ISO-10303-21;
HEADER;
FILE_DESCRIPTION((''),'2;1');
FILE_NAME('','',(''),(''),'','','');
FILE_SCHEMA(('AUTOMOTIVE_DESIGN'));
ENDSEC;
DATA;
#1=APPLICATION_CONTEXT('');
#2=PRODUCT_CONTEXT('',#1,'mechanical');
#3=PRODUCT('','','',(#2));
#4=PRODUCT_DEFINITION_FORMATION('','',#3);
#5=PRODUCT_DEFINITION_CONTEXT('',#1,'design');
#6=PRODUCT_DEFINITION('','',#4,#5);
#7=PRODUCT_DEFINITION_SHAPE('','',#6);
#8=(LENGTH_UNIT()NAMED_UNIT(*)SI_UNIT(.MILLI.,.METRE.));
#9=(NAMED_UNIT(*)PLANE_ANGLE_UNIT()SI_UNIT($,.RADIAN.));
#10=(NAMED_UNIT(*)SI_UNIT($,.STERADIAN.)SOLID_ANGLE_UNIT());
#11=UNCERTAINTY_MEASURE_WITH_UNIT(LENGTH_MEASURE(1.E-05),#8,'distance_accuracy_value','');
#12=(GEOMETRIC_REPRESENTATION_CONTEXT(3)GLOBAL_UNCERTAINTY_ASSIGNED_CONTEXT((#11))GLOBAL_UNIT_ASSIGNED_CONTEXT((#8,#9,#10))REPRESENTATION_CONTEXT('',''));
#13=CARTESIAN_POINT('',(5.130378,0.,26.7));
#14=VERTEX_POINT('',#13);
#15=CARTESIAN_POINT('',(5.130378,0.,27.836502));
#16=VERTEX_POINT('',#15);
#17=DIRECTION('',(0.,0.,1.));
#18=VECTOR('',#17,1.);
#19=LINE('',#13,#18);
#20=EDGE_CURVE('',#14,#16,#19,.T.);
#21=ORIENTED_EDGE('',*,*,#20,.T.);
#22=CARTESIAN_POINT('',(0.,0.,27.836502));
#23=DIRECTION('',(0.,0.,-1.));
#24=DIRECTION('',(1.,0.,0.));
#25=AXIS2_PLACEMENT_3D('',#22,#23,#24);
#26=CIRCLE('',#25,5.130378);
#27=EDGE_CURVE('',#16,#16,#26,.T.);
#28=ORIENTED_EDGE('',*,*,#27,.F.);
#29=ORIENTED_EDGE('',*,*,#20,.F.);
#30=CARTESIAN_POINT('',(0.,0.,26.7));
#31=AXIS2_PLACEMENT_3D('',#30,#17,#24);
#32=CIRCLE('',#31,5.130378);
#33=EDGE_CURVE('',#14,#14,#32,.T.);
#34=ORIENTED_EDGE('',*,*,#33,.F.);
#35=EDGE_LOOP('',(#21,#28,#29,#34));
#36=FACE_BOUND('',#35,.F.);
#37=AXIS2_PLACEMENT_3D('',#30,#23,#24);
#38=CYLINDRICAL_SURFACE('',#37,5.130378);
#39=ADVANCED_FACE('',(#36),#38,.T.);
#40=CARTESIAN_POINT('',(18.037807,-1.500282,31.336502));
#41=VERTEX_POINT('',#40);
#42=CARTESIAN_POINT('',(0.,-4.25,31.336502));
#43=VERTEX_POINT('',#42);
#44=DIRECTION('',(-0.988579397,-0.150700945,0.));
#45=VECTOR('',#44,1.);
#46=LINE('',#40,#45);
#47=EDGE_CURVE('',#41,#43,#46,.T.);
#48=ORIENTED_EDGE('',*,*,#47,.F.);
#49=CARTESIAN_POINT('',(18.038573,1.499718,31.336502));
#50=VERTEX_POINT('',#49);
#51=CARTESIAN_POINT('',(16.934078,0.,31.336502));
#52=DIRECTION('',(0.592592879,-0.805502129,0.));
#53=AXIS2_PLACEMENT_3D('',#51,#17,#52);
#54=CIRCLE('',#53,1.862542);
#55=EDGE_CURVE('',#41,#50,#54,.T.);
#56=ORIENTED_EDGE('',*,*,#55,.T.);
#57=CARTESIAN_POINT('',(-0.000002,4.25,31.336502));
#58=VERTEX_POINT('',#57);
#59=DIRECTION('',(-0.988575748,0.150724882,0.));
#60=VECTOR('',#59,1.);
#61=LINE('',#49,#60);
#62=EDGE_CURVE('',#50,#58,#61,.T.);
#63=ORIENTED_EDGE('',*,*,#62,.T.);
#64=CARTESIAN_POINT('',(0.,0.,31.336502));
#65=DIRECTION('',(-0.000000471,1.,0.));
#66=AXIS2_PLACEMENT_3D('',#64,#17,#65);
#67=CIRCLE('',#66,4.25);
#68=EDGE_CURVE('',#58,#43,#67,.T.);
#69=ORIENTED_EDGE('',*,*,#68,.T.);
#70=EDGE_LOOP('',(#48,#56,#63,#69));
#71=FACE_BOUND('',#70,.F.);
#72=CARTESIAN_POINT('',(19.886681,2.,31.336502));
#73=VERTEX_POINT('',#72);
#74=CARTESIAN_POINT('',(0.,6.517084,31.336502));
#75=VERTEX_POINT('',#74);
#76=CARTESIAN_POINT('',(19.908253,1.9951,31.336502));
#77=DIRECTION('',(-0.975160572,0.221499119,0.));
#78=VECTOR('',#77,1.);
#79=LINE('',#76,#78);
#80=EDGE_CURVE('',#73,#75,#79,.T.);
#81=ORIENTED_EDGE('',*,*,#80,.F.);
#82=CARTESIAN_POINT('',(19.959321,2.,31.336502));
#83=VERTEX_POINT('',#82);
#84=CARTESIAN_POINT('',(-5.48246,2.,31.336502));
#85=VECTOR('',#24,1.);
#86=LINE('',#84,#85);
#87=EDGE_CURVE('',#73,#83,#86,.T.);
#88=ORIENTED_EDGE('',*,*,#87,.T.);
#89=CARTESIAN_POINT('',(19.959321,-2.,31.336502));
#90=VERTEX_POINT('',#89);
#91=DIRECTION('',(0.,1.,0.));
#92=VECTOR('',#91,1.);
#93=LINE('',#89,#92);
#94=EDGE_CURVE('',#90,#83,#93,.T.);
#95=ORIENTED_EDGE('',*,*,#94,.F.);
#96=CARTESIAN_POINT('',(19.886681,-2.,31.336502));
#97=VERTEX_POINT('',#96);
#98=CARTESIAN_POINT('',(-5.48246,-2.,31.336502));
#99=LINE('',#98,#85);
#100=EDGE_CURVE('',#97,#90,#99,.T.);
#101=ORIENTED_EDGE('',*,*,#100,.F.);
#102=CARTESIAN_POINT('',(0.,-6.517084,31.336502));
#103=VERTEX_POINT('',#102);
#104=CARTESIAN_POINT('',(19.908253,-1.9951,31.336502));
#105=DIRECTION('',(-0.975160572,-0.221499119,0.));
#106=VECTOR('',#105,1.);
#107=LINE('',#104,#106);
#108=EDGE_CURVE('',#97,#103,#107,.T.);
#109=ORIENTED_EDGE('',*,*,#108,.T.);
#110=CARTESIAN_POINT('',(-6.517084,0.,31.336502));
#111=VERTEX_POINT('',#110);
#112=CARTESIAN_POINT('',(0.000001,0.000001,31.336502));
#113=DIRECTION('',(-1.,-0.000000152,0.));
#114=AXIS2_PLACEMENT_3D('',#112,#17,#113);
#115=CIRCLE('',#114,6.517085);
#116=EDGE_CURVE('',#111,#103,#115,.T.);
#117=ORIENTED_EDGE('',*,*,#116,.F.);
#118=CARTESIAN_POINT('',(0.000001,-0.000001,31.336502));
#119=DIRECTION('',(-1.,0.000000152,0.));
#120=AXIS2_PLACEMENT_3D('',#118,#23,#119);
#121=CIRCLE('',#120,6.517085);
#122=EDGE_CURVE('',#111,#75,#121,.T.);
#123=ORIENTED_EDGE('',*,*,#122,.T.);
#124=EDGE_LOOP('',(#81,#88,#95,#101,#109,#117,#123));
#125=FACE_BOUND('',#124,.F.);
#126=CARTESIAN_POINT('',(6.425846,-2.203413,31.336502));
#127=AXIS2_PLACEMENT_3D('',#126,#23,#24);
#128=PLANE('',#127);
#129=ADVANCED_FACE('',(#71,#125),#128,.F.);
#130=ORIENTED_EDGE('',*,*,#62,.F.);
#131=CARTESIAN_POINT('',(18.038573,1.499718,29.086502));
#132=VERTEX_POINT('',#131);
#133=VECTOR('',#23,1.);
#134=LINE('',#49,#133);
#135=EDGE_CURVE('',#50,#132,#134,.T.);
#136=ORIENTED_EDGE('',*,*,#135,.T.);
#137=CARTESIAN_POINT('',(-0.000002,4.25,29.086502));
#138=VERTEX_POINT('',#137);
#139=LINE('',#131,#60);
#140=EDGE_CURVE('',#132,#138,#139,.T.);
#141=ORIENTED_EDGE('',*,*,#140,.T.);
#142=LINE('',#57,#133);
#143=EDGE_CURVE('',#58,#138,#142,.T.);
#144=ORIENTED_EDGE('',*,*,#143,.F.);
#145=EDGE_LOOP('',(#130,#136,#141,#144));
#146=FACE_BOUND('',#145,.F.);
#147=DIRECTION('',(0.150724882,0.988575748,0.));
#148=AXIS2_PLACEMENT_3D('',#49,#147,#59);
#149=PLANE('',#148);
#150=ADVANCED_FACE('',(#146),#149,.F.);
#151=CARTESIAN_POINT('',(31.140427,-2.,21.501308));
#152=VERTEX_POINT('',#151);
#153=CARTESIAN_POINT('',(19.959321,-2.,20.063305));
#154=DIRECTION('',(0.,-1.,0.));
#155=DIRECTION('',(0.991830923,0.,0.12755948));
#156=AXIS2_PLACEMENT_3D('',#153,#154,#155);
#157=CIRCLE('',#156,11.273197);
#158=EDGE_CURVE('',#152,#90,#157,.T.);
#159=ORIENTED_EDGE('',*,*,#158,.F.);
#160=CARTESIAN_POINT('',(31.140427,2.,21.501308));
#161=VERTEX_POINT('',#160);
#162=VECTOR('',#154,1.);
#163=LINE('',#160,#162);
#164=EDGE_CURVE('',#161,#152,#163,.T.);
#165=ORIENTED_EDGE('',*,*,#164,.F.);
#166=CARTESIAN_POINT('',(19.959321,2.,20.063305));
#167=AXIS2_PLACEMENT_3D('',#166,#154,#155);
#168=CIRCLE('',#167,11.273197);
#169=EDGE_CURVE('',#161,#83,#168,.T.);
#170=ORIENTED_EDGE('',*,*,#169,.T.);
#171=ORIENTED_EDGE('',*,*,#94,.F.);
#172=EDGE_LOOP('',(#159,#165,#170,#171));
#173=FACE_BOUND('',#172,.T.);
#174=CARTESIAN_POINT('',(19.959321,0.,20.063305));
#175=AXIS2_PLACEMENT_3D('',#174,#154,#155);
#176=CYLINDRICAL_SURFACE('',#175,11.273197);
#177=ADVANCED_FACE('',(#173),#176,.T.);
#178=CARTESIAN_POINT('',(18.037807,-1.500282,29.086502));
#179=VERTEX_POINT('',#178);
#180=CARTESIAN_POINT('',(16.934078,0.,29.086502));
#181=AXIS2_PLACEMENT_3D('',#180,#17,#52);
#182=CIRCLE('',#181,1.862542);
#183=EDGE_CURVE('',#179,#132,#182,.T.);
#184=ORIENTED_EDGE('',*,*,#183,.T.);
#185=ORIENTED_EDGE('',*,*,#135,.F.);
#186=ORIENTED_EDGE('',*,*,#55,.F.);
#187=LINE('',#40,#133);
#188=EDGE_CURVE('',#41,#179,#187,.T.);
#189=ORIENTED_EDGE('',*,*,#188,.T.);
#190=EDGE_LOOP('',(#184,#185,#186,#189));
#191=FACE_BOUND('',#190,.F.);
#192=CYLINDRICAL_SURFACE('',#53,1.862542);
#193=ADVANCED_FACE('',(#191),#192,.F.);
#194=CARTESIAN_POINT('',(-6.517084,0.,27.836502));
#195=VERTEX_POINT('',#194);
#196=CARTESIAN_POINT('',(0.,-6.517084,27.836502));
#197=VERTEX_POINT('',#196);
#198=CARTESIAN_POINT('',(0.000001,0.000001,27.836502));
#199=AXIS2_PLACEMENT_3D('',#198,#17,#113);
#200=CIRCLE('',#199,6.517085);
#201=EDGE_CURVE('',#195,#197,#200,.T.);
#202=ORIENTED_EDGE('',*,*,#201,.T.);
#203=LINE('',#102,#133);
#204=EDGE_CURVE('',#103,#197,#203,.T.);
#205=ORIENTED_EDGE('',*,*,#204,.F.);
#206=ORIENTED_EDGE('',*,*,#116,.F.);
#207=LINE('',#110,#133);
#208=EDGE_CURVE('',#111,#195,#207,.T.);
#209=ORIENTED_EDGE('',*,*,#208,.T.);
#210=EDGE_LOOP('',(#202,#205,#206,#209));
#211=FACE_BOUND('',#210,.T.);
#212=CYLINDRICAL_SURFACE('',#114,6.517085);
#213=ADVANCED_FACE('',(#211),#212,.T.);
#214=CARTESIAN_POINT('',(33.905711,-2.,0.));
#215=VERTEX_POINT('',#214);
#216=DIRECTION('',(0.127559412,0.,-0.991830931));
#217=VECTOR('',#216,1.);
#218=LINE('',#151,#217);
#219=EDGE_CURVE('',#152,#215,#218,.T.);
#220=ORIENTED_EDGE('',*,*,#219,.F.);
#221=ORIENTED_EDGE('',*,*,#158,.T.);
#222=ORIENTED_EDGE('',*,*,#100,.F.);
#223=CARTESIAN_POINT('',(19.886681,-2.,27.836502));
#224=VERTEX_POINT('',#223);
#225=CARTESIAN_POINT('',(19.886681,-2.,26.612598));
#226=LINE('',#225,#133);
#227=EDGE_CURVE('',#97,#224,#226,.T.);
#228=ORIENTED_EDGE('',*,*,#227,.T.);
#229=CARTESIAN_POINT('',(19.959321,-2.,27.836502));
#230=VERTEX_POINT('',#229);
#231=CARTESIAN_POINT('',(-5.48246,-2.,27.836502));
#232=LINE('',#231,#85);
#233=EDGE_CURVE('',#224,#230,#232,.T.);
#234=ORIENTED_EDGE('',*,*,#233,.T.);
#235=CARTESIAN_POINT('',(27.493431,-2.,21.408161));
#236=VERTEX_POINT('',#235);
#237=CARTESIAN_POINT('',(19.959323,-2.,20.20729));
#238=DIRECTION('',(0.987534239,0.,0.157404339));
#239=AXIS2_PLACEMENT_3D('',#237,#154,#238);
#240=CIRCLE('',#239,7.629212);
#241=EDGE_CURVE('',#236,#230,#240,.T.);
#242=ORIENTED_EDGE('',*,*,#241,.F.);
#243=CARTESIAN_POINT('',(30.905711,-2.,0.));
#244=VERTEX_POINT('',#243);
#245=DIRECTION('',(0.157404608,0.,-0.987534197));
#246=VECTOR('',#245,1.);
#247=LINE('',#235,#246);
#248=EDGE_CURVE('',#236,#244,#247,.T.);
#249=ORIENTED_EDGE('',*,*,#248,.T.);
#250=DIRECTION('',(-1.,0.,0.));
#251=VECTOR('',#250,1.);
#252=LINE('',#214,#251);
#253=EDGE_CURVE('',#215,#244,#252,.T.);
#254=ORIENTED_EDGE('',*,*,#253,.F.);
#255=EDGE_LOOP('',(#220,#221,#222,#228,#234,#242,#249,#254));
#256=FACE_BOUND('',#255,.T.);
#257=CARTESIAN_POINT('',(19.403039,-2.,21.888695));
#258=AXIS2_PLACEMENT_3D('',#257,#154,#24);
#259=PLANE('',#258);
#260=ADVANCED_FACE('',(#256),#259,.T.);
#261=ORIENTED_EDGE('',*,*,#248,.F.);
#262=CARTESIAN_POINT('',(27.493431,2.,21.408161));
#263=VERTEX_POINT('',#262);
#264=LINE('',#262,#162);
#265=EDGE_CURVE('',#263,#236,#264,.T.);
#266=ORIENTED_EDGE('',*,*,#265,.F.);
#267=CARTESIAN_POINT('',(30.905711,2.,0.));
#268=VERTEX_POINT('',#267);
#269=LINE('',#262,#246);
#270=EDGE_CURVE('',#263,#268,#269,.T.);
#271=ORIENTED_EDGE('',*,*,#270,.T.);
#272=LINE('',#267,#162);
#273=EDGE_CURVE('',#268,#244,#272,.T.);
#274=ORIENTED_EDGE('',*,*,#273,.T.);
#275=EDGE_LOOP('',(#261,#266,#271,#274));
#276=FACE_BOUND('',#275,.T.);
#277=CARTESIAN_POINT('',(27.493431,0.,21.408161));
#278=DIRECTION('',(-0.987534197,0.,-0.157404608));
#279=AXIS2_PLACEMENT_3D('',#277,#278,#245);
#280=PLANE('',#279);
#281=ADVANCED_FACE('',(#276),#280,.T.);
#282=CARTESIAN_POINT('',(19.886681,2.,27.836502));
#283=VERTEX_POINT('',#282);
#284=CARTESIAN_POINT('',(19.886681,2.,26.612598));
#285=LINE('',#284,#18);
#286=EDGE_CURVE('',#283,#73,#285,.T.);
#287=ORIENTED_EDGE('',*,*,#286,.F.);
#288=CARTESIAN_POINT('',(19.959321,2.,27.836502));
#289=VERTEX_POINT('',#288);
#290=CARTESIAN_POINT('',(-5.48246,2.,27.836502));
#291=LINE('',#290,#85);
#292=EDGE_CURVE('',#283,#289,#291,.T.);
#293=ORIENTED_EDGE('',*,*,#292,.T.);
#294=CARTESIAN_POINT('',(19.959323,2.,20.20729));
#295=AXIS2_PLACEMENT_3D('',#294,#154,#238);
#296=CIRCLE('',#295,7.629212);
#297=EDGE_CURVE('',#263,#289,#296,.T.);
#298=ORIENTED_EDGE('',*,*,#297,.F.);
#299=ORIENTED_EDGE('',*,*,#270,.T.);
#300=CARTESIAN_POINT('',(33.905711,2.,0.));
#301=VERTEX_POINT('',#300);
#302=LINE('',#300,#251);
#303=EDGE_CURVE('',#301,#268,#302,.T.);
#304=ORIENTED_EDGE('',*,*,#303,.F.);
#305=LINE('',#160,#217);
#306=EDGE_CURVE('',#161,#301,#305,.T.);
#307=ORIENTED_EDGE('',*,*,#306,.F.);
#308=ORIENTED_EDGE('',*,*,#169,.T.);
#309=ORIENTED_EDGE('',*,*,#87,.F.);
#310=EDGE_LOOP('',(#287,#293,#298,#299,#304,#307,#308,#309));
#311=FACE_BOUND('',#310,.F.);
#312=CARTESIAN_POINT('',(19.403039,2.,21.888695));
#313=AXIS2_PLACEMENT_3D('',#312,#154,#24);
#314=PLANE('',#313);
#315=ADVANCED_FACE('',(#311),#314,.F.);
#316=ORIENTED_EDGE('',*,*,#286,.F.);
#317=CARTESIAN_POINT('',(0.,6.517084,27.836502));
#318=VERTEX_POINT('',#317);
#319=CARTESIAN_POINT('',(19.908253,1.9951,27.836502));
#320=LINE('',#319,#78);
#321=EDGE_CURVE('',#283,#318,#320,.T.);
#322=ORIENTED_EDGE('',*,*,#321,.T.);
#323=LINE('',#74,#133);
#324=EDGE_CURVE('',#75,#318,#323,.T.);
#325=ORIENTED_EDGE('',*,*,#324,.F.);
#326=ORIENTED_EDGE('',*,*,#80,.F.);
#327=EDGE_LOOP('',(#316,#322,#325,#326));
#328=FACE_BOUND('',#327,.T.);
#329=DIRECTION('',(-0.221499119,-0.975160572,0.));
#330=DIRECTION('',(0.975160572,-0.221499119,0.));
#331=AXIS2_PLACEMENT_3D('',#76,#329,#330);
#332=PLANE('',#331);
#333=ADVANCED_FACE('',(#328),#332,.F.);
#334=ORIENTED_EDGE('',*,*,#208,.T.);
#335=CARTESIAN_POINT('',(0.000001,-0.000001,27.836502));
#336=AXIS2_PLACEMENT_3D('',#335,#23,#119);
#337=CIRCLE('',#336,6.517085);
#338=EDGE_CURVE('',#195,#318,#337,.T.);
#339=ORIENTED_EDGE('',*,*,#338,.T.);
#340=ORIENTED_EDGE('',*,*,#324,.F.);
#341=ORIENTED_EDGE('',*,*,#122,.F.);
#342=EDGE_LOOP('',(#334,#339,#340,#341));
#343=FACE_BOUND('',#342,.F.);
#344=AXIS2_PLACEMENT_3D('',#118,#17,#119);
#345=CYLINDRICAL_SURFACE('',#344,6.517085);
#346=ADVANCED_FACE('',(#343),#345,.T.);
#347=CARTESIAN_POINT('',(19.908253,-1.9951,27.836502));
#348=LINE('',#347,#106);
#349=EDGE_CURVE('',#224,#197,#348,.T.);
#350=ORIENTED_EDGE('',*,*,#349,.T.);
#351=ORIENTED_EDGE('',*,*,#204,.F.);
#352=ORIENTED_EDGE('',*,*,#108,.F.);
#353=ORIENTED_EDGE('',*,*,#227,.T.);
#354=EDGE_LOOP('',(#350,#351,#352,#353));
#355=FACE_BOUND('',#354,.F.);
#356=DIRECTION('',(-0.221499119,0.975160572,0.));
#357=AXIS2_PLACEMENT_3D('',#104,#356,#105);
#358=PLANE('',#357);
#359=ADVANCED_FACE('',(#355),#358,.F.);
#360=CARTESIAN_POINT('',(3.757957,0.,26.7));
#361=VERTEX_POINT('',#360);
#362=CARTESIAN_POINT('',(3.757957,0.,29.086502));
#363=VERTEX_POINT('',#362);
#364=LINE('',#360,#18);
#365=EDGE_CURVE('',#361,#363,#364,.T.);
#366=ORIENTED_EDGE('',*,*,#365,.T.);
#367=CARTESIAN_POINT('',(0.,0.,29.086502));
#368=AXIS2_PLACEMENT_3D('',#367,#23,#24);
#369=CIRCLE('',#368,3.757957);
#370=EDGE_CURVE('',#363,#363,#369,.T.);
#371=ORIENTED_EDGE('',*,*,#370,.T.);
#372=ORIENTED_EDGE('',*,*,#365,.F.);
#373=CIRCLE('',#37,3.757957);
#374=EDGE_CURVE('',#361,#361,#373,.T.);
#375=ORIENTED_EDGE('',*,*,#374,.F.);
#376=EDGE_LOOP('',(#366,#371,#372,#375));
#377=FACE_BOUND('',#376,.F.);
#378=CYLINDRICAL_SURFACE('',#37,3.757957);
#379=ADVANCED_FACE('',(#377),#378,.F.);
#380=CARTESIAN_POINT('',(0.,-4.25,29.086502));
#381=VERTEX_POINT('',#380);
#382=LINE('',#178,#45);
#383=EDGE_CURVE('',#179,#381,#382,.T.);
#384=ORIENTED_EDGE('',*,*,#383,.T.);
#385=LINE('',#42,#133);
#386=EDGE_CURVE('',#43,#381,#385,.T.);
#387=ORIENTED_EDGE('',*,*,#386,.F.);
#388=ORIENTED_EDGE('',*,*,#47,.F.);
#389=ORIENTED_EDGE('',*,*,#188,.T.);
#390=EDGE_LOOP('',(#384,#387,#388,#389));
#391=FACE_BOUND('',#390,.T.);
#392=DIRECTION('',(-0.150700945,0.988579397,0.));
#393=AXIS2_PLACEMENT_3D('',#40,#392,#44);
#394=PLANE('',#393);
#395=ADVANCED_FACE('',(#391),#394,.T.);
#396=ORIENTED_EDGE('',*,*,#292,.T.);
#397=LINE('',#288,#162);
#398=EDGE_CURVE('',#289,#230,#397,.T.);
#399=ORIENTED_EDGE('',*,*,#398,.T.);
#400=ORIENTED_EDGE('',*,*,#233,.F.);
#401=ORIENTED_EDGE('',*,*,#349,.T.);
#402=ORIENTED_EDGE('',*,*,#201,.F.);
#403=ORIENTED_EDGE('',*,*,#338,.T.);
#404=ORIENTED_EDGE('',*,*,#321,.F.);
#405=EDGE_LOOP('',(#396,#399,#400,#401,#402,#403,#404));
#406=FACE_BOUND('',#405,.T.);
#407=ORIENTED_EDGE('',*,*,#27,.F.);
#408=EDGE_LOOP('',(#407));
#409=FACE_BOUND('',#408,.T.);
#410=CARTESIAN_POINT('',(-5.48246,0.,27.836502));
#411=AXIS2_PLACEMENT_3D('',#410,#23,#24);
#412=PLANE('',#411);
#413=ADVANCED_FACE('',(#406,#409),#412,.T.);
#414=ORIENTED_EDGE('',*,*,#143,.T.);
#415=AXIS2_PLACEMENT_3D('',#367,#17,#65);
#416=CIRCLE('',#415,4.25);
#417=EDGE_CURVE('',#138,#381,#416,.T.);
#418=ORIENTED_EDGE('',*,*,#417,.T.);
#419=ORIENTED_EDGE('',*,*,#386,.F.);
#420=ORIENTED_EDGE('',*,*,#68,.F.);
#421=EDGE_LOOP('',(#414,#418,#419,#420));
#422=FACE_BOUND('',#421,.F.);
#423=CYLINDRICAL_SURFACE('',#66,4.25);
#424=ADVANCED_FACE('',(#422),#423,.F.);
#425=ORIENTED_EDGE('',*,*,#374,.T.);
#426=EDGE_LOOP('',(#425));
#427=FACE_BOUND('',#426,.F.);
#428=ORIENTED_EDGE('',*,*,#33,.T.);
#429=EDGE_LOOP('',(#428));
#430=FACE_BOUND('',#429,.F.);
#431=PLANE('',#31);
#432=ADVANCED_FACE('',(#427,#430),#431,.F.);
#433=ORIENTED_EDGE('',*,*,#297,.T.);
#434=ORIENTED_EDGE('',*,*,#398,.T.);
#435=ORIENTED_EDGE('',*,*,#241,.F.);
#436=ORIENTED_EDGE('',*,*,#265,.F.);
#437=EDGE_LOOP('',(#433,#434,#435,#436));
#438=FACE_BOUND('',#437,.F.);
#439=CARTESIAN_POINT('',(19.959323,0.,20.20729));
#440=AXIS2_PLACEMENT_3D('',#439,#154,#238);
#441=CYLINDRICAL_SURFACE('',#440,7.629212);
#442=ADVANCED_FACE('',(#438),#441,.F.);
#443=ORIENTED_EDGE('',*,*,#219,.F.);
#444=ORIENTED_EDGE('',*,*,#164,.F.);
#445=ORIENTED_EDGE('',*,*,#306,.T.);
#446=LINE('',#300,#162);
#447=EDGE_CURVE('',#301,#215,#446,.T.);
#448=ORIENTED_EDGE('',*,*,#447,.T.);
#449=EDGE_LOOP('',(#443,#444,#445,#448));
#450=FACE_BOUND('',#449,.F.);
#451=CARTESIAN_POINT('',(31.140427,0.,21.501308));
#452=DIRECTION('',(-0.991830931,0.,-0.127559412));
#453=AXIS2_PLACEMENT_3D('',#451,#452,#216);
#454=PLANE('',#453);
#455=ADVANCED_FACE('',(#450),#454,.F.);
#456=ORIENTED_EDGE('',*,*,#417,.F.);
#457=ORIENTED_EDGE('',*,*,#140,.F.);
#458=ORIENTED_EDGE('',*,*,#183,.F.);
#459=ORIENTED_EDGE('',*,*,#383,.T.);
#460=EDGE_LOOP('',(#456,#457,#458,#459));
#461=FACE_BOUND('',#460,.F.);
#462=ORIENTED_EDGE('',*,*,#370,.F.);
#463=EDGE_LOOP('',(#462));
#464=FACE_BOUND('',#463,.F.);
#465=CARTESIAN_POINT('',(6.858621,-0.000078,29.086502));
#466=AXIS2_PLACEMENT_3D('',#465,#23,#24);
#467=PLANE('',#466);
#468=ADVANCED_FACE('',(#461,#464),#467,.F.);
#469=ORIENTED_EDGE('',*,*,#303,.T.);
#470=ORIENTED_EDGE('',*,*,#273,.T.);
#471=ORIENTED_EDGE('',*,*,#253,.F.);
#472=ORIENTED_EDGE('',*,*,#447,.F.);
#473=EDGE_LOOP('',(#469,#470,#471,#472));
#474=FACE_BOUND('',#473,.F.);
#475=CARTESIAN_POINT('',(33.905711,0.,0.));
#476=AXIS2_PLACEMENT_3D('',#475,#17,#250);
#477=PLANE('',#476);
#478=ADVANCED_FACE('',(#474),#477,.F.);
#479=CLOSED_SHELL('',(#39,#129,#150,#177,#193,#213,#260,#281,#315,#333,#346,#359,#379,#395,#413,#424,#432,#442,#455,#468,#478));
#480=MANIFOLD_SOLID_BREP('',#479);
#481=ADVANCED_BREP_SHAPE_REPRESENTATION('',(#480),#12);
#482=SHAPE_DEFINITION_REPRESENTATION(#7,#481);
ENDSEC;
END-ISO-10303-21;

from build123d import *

# Parameters (mm, degrees)
SKETCH008_R        = 5.130378
PAD006_DEPTH       = 1.2
PAD004_DEPTH       = 2
PAD005_DEPTH       = 3.5
POCKET_DEPTH       = 2.25
SKETCH009_R        = 3.757957
POCKET003002_DEPTH = 5


with BuildPart() as servo_support_cylinder001:
    # Sketch008 → Pad006 (new body)
    with BuildSketch(Plane.XY.offset(26.7)):
        Circle(SKETCH008_R)
    extrude(amount=PAD006_DEPTH)


with BuildPart() as servo_leg:
    # Sketch005 → Pad004 (new body, symmetric)
    with BuildSketch(Plane.XZ):
        with BuildLine():
            Line((-5.48246, 27.836502), (19.959321, 27.836502))
            ThreePointArc((27.493431, 21.408161), (24.91125, 26.011021), (19.959321, 27.836502))
            Line((27.493431, 21.408161), (30.905711, 0))
            Line((33.905711, 0), (30.905711, 0))
            Line((31.140427, 21.501308), (33.905711, 0))
            ThreePointArc((31.140427, 21.501308), (27.404927, 28.527815), (19.959321, 31.336502))
            Line((-5.48246, 31.336502), (19.959321, 31.336502))
            Line((-5.48246, 27.836502), (-5.48246, 31.336502))
        make_face()
    extrude(amount=PAD004_DEPTH, both=True)

    # Sketch006 → Pad005 (new body)
    with BuildSketch(Plane(origin=(0, 0, 31.336502), x_dir=(-1, 0, 0), z_dir=(0, 0, 1))):
        with BuildLine():
            Line((-19.908253, 1.9951), (0, 6.517084))
            ThreePointArc((6.517084, 0), (4.608274, 4.608274), (0, 6.517084))
            Line((6.517084, 0), (0, 0))
            Line((-19.908253, 0), (0, 0))
            Line((-19.908253, 1.9951), (-19.908253, 0))
        make_face()
    pad005 = extrude(amount=-PAD005_DEPTH)

    # Mirrored: Pad005 across Sketch006 H_Axis
    add(pad005.mirror(Plane(origin=(0, 0, 31.336502), x_dir=(0, 0, 1), z_dir=(0, -1, 0))))

    # Sketch007 → Pocket (cut)
    with BuildSketch(Plane(origin=(0, 0, 31.336502), x_dir=(-1, 0, 0), z_dir=(0, 0, 1))):
        with BuildLine():
            Line((-18.037807, 1.500282), (0, 4.25))
            ThreePointArc((2e-06, -4.25), (4.25, 1e-06), (0, 4.25))
            Line((-18.038573, -1.499718), (2e-06, -4.25))
            ThreePointArc((-18.037807, 1.500282), (-18.79662, 0.000476), (-18.038573, -1.499718))
        make_face()
    extrude(amount=-POCKET_DEPTH, mode=Mode.SUBTRACT)

    # Fusion007002: union servo_support_cylinder001
    add(servo_support_cylinder001.part)

    # Sketch009 → Pocket003002 (cut)
    with BuildSketch(Plane(origin=(0, 0, 26.7), x_dir=(1, 0, 0), z_dir=(0, 0, -1))):
        Circle(SKETCH009_R)
    extrude(amount=-POCKET003002_DEPTH, mode=Mode.SUBTRACT)


solid = servo_leg.part
